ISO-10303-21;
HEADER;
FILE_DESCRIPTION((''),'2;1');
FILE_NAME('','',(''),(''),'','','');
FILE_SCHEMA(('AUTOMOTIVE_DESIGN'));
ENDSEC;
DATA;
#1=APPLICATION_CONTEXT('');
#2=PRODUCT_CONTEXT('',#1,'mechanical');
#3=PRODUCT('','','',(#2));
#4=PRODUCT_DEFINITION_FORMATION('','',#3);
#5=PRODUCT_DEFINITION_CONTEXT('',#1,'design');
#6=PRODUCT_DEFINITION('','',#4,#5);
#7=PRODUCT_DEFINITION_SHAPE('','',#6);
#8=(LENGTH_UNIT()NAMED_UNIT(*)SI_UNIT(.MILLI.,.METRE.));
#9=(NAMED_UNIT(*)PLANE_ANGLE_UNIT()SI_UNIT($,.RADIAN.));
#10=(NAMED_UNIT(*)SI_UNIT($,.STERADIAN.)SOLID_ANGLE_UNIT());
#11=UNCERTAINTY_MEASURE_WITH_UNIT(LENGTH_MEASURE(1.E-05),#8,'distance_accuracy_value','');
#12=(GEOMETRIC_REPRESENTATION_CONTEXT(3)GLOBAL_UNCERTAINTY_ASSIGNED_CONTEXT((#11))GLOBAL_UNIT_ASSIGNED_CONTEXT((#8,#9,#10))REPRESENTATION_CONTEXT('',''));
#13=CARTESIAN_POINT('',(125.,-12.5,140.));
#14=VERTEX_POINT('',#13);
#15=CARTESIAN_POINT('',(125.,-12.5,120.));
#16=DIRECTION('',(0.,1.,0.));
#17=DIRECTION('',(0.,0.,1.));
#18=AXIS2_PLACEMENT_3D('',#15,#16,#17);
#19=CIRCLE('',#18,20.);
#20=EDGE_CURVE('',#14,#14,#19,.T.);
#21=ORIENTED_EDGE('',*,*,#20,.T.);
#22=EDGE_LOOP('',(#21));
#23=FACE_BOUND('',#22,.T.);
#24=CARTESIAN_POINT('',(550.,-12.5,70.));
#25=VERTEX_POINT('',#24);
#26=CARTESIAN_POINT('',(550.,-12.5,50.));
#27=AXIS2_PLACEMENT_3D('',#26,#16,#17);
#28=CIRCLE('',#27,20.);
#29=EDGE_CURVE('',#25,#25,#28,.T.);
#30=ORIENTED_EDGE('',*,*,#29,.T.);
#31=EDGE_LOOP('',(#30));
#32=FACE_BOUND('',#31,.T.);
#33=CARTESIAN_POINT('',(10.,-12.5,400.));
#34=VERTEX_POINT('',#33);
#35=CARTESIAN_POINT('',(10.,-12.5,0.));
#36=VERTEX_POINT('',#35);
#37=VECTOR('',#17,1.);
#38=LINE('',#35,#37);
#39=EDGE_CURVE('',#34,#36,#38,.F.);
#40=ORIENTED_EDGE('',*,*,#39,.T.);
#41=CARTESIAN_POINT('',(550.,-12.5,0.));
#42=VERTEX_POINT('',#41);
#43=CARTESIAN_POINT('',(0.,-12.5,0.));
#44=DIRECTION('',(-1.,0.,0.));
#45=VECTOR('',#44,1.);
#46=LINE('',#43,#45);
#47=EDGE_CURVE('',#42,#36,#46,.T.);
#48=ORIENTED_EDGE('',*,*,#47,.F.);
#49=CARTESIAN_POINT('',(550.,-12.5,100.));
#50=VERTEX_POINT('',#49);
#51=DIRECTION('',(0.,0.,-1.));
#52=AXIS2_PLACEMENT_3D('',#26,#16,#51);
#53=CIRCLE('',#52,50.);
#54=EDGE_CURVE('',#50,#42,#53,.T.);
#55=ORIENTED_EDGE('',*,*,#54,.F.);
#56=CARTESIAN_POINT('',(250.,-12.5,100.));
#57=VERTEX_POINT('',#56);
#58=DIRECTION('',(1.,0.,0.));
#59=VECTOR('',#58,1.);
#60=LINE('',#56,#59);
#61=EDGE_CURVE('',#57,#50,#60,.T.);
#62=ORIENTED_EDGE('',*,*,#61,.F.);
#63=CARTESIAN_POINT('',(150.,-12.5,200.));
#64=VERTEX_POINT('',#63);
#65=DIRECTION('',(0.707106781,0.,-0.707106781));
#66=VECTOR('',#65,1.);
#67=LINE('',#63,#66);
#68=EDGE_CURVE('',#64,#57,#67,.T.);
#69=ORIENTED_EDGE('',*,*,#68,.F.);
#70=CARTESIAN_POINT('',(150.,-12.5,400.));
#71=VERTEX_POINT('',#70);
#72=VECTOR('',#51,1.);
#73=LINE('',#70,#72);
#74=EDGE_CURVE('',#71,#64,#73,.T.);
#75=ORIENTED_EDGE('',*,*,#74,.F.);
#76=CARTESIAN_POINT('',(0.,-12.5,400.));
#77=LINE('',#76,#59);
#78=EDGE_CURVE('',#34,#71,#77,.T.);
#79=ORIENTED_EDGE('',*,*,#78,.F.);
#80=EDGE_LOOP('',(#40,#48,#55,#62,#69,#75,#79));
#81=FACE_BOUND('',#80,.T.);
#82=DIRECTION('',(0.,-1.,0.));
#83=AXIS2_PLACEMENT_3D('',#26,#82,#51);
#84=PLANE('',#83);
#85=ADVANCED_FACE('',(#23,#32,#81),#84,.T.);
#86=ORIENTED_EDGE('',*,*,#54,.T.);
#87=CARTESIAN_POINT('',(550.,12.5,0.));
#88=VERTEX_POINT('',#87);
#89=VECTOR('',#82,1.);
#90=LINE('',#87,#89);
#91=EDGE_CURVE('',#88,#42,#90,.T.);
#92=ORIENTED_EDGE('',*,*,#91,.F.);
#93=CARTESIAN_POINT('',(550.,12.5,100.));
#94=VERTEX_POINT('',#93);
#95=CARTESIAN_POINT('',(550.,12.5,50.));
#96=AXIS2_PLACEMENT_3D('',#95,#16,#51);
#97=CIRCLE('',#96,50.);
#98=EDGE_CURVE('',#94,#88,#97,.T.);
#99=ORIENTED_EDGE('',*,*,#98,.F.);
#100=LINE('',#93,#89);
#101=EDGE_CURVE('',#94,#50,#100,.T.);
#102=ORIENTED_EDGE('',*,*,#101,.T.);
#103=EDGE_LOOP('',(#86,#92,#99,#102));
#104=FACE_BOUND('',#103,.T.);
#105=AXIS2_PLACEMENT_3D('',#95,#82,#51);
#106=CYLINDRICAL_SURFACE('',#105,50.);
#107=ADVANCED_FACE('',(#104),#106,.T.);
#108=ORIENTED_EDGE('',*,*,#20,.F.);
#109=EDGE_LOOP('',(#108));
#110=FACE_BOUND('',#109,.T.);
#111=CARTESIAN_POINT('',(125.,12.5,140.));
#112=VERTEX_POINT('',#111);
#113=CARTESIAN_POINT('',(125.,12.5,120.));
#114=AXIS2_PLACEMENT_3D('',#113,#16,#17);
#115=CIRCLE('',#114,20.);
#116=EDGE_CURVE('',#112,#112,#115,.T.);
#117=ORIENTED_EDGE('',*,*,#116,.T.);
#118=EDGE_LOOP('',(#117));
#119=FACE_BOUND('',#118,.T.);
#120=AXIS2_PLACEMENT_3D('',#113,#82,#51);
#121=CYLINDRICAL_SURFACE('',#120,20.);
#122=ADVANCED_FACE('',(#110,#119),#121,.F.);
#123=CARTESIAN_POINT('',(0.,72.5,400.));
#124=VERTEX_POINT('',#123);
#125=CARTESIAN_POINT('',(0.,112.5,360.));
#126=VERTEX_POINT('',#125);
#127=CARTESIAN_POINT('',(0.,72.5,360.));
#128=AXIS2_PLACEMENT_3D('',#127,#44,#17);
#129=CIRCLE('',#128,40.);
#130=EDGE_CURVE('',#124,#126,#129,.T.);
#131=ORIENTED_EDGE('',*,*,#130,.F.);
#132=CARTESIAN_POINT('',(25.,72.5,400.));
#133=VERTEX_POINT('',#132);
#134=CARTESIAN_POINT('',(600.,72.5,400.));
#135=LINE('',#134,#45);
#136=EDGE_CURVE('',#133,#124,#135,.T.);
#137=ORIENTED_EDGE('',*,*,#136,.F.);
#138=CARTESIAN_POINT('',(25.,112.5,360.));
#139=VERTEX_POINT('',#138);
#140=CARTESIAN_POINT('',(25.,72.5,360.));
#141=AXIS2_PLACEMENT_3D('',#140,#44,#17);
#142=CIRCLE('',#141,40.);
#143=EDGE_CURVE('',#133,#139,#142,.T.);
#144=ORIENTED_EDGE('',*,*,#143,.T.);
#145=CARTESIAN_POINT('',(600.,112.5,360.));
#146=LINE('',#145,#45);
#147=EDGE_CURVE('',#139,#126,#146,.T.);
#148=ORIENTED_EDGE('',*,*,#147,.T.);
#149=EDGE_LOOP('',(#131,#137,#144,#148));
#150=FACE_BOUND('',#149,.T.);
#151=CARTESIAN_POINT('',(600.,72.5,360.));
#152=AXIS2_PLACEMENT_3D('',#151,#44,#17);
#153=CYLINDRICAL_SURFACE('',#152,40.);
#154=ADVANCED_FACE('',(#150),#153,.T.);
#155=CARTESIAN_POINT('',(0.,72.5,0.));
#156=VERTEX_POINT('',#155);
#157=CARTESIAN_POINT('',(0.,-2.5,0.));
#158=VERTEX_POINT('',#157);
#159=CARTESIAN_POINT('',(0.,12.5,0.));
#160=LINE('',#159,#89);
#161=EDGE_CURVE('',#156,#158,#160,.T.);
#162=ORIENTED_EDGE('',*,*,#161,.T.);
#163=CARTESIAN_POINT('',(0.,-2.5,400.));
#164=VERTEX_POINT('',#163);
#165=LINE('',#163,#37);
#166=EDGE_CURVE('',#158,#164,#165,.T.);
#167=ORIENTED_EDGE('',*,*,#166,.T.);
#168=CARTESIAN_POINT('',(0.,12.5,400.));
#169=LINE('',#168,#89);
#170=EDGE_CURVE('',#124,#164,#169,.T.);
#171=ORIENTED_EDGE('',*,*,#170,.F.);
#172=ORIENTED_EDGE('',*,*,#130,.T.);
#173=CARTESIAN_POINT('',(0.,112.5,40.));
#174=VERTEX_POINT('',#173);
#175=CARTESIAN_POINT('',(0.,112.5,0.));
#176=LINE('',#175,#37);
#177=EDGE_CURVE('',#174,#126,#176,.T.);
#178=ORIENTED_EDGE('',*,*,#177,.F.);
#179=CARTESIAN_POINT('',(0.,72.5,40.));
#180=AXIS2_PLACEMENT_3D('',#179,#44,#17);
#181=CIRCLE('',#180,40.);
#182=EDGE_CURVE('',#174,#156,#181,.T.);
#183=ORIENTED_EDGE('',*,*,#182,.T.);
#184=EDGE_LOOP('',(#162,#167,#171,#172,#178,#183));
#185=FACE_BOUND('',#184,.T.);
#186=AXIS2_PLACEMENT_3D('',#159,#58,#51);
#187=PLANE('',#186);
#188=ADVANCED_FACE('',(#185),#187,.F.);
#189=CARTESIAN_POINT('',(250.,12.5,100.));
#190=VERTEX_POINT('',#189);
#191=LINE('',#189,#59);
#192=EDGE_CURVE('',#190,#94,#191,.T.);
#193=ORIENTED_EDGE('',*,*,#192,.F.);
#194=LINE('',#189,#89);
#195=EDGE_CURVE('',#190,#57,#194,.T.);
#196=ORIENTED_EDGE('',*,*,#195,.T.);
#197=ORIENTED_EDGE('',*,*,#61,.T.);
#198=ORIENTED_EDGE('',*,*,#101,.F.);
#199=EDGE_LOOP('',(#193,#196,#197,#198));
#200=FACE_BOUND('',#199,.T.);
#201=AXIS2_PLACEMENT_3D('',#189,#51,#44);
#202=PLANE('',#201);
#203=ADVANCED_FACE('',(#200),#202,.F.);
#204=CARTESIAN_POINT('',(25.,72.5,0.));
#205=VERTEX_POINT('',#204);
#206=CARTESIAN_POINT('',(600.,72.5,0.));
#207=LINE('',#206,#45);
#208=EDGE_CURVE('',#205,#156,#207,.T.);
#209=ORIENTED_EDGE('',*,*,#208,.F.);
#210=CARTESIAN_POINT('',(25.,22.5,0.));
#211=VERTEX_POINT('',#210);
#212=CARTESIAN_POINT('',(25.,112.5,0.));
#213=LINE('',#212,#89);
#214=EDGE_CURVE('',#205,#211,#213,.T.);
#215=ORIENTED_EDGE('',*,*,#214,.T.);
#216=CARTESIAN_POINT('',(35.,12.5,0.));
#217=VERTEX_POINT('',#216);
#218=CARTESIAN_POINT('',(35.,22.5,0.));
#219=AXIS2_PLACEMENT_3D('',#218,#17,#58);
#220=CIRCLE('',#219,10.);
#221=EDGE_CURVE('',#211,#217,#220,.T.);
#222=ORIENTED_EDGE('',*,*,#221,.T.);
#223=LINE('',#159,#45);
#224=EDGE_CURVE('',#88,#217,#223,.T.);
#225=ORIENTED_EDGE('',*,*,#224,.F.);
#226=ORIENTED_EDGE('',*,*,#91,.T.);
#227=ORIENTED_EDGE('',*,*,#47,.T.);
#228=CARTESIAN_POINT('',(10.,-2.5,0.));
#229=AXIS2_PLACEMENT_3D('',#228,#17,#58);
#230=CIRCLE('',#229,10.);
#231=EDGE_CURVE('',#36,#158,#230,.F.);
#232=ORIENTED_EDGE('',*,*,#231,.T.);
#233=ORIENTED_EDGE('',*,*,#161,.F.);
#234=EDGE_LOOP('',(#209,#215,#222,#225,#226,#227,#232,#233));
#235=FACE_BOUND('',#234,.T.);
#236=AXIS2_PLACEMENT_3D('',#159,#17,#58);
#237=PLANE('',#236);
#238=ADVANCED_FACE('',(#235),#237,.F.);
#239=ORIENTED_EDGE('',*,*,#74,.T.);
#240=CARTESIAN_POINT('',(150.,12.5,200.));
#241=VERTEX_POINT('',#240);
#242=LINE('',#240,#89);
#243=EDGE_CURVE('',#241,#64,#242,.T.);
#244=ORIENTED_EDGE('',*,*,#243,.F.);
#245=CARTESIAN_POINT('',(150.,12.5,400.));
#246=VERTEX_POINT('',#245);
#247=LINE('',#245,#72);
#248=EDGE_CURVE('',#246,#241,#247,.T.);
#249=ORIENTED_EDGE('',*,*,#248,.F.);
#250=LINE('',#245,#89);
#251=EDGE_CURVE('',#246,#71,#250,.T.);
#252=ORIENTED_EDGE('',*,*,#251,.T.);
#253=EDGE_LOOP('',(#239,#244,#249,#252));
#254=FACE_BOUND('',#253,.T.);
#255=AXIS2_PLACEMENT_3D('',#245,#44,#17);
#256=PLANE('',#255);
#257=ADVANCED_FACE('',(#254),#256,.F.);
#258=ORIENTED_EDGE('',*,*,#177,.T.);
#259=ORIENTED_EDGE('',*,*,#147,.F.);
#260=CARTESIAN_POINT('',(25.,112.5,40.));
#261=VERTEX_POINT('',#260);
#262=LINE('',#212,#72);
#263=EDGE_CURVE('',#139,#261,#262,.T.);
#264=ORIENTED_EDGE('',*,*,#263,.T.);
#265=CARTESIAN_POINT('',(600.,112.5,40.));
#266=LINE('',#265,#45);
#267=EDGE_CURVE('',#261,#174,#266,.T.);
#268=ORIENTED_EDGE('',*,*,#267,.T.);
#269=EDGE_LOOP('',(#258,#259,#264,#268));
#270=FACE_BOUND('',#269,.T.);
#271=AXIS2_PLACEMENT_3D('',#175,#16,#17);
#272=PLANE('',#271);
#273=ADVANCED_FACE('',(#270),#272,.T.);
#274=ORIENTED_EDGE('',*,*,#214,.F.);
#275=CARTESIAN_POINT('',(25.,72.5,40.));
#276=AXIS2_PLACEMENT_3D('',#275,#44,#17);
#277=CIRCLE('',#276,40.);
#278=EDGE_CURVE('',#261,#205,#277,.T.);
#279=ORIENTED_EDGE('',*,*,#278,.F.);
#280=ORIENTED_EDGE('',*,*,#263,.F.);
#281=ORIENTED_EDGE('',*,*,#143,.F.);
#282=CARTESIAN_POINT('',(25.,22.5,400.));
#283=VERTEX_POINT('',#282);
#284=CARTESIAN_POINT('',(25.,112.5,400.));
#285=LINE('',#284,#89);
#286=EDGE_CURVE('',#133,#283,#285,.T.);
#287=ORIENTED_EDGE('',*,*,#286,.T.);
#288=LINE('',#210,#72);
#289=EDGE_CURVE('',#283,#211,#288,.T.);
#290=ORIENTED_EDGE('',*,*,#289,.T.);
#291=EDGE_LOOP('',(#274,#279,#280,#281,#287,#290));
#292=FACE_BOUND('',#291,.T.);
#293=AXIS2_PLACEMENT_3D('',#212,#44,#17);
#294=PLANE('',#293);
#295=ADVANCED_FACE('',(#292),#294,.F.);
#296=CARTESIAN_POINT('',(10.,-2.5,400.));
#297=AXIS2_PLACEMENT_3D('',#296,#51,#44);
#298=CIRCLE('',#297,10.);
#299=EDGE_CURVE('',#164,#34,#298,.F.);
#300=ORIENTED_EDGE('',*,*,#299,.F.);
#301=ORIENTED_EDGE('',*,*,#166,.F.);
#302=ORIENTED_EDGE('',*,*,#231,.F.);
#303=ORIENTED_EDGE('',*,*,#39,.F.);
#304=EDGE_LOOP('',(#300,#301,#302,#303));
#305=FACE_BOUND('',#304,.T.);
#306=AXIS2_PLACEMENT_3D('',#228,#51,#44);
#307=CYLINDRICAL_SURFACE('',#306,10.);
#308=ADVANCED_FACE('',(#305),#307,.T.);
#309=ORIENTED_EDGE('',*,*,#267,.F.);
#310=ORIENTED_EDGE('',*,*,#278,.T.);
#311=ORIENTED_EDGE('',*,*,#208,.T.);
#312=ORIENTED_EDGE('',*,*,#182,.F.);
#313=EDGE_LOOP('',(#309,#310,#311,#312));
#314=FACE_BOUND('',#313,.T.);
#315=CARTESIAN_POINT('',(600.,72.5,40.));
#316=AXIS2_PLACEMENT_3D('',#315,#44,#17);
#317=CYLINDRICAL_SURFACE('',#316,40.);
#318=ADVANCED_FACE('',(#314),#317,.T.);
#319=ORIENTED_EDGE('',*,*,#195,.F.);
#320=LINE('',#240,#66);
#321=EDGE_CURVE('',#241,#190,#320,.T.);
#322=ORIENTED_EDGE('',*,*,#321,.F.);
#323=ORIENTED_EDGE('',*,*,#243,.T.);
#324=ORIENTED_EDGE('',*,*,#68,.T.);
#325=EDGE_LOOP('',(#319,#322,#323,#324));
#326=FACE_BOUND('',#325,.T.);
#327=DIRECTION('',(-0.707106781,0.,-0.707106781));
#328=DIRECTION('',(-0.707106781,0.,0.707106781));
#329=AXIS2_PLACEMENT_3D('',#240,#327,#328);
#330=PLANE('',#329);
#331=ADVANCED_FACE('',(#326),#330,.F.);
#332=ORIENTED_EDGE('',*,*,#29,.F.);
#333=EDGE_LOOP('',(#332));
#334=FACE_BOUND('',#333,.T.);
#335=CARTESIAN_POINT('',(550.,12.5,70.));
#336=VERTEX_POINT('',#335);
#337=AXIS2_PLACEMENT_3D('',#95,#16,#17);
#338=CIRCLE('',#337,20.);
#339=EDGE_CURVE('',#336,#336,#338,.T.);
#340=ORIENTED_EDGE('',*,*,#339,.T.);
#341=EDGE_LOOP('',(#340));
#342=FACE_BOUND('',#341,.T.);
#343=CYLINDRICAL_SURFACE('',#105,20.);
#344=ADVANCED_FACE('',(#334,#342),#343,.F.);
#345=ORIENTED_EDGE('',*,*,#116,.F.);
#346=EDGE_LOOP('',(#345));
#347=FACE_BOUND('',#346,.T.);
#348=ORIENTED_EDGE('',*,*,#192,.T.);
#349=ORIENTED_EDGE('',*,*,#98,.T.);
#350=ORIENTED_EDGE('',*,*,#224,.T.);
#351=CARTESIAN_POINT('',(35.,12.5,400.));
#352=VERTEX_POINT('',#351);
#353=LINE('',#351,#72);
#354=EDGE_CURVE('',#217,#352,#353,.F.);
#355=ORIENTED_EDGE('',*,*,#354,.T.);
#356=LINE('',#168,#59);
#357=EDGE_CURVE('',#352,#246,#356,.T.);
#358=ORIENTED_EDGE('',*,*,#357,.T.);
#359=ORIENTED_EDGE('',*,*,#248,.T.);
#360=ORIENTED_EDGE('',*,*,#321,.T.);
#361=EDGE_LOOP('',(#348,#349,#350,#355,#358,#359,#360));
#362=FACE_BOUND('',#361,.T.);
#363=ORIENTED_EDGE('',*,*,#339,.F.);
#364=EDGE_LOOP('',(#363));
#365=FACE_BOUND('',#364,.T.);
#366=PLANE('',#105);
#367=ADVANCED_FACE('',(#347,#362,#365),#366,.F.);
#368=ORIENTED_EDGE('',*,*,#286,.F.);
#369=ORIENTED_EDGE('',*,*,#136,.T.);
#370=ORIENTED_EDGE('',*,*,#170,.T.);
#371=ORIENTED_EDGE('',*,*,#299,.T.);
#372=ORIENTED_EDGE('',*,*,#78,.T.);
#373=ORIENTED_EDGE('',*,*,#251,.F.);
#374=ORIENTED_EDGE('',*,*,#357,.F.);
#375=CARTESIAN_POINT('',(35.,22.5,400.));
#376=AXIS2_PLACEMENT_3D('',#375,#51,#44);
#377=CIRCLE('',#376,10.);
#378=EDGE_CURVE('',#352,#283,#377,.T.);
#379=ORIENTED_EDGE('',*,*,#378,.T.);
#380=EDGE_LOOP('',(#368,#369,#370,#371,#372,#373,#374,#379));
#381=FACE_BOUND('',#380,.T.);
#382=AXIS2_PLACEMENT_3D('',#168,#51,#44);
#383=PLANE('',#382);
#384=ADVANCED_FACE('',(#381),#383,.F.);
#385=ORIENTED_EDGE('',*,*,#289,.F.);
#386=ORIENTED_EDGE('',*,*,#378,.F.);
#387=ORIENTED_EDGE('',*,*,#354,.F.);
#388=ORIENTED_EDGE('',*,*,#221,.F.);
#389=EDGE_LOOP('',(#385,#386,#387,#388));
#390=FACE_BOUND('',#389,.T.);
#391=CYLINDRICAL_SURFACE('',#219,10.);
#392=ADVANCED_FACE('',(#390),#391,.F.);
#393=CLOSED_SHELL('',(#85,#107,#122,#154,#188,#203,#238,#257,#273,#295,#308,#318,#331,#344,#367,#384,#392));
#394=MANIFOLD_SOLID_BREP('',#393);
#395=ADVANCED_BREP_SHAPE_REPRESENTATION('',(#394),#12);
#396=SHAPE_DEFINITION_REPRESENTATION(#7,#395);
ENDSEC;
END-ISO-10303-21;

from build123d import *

# Parameters (mm, degrees)
SKETCH1_R           = 20
BOSS_EXTRUDE1_DEPTH = 12.5
SKETCH2_W           = 25
SKETCH2_H           = 400
BOSS_EXTRUDE2_DEPTH = 100
CUT_EXTRUDE2_DEPTH  = 730.83302885
FILLET1_R           = 10


with BuildPart() as part:
    # Sketch1 → Boss-Extrude1 (new, symmetric)
    with BuildSketch(Plane(origin=(0, 0, 0), x_dir=(1, 0, 0), z_dir=(0, 1, 0))):
        with BuildLine():
            Line((0, 0), (550, 0))
            ThreePointArc((550, 0), (600, -50), (550, -100))
            Line((550, -100), (250, -100))
            Line((250, -100), (150, -200))
            Line((150, -200), (150, -400))
            Line((150, -400), (0, -400))
            Line((0, -400), (0, 0))
        make_face()
        with Locations(Location((550, -50, 0), (0, 0, 270))):
            Circle(SKETCH1_R, mode=Mode.SUBTRACT)
        with Locations(Location((125, -120, 0), (0, 0, 270))):
            Circle(SKETCH1_R, mode=Mode.SUBTRACT)
    extrude(amount=BOSS_EXTRUDE1_DEPTH, both=True)

    # Sketch2 → Boss-Extrude2 (add)
    with BuildSketch(Plane(origin=(0, 12.5, 0), x_dir=(1, 0, 0), z_dir=(0, 1, 0))):
        with Locations((12.5, -200)):
            Rectangle(SKETCH2_W, SKETCH2_H)
    extrude(amount=BOSS_EXTRUDE2_DEPTH)

    # Sketch3 → Cut-Extrude2 (cut, through all)
    with BuildSketch(Plane.ZY):
        with BuildLine():
            Line((0, 112.5), (0, 72.5))
            ThreePointArc((0, 72.5), (11.715728753, 100.784271247), (40, 112.5))
            Line((40, 112.5), (0, 112.5))
        make_face()
        with BuildLine():
            Line((400, 112.5), (360, 112.5))
            ThreePointArc((360, 112.5), (388.284271247, 100.784271247), (400, 72.5))
            Line((400, 72.5), (400, 112.5))
        make_face()
    extrude(amount=-CUT_EXTRUDE2_DEPTH, mode=Mode.SUBTRACT)

    # Fillet1
    fillet1_edges = [part.edges().sort_by_distance(p)[0] for p in [
        (0, -12.5, 200),
        (25, 12.5, 200),
    ]]
    fillet(fillet1_edges, radius=FILLET1_R)


solid = part.part
